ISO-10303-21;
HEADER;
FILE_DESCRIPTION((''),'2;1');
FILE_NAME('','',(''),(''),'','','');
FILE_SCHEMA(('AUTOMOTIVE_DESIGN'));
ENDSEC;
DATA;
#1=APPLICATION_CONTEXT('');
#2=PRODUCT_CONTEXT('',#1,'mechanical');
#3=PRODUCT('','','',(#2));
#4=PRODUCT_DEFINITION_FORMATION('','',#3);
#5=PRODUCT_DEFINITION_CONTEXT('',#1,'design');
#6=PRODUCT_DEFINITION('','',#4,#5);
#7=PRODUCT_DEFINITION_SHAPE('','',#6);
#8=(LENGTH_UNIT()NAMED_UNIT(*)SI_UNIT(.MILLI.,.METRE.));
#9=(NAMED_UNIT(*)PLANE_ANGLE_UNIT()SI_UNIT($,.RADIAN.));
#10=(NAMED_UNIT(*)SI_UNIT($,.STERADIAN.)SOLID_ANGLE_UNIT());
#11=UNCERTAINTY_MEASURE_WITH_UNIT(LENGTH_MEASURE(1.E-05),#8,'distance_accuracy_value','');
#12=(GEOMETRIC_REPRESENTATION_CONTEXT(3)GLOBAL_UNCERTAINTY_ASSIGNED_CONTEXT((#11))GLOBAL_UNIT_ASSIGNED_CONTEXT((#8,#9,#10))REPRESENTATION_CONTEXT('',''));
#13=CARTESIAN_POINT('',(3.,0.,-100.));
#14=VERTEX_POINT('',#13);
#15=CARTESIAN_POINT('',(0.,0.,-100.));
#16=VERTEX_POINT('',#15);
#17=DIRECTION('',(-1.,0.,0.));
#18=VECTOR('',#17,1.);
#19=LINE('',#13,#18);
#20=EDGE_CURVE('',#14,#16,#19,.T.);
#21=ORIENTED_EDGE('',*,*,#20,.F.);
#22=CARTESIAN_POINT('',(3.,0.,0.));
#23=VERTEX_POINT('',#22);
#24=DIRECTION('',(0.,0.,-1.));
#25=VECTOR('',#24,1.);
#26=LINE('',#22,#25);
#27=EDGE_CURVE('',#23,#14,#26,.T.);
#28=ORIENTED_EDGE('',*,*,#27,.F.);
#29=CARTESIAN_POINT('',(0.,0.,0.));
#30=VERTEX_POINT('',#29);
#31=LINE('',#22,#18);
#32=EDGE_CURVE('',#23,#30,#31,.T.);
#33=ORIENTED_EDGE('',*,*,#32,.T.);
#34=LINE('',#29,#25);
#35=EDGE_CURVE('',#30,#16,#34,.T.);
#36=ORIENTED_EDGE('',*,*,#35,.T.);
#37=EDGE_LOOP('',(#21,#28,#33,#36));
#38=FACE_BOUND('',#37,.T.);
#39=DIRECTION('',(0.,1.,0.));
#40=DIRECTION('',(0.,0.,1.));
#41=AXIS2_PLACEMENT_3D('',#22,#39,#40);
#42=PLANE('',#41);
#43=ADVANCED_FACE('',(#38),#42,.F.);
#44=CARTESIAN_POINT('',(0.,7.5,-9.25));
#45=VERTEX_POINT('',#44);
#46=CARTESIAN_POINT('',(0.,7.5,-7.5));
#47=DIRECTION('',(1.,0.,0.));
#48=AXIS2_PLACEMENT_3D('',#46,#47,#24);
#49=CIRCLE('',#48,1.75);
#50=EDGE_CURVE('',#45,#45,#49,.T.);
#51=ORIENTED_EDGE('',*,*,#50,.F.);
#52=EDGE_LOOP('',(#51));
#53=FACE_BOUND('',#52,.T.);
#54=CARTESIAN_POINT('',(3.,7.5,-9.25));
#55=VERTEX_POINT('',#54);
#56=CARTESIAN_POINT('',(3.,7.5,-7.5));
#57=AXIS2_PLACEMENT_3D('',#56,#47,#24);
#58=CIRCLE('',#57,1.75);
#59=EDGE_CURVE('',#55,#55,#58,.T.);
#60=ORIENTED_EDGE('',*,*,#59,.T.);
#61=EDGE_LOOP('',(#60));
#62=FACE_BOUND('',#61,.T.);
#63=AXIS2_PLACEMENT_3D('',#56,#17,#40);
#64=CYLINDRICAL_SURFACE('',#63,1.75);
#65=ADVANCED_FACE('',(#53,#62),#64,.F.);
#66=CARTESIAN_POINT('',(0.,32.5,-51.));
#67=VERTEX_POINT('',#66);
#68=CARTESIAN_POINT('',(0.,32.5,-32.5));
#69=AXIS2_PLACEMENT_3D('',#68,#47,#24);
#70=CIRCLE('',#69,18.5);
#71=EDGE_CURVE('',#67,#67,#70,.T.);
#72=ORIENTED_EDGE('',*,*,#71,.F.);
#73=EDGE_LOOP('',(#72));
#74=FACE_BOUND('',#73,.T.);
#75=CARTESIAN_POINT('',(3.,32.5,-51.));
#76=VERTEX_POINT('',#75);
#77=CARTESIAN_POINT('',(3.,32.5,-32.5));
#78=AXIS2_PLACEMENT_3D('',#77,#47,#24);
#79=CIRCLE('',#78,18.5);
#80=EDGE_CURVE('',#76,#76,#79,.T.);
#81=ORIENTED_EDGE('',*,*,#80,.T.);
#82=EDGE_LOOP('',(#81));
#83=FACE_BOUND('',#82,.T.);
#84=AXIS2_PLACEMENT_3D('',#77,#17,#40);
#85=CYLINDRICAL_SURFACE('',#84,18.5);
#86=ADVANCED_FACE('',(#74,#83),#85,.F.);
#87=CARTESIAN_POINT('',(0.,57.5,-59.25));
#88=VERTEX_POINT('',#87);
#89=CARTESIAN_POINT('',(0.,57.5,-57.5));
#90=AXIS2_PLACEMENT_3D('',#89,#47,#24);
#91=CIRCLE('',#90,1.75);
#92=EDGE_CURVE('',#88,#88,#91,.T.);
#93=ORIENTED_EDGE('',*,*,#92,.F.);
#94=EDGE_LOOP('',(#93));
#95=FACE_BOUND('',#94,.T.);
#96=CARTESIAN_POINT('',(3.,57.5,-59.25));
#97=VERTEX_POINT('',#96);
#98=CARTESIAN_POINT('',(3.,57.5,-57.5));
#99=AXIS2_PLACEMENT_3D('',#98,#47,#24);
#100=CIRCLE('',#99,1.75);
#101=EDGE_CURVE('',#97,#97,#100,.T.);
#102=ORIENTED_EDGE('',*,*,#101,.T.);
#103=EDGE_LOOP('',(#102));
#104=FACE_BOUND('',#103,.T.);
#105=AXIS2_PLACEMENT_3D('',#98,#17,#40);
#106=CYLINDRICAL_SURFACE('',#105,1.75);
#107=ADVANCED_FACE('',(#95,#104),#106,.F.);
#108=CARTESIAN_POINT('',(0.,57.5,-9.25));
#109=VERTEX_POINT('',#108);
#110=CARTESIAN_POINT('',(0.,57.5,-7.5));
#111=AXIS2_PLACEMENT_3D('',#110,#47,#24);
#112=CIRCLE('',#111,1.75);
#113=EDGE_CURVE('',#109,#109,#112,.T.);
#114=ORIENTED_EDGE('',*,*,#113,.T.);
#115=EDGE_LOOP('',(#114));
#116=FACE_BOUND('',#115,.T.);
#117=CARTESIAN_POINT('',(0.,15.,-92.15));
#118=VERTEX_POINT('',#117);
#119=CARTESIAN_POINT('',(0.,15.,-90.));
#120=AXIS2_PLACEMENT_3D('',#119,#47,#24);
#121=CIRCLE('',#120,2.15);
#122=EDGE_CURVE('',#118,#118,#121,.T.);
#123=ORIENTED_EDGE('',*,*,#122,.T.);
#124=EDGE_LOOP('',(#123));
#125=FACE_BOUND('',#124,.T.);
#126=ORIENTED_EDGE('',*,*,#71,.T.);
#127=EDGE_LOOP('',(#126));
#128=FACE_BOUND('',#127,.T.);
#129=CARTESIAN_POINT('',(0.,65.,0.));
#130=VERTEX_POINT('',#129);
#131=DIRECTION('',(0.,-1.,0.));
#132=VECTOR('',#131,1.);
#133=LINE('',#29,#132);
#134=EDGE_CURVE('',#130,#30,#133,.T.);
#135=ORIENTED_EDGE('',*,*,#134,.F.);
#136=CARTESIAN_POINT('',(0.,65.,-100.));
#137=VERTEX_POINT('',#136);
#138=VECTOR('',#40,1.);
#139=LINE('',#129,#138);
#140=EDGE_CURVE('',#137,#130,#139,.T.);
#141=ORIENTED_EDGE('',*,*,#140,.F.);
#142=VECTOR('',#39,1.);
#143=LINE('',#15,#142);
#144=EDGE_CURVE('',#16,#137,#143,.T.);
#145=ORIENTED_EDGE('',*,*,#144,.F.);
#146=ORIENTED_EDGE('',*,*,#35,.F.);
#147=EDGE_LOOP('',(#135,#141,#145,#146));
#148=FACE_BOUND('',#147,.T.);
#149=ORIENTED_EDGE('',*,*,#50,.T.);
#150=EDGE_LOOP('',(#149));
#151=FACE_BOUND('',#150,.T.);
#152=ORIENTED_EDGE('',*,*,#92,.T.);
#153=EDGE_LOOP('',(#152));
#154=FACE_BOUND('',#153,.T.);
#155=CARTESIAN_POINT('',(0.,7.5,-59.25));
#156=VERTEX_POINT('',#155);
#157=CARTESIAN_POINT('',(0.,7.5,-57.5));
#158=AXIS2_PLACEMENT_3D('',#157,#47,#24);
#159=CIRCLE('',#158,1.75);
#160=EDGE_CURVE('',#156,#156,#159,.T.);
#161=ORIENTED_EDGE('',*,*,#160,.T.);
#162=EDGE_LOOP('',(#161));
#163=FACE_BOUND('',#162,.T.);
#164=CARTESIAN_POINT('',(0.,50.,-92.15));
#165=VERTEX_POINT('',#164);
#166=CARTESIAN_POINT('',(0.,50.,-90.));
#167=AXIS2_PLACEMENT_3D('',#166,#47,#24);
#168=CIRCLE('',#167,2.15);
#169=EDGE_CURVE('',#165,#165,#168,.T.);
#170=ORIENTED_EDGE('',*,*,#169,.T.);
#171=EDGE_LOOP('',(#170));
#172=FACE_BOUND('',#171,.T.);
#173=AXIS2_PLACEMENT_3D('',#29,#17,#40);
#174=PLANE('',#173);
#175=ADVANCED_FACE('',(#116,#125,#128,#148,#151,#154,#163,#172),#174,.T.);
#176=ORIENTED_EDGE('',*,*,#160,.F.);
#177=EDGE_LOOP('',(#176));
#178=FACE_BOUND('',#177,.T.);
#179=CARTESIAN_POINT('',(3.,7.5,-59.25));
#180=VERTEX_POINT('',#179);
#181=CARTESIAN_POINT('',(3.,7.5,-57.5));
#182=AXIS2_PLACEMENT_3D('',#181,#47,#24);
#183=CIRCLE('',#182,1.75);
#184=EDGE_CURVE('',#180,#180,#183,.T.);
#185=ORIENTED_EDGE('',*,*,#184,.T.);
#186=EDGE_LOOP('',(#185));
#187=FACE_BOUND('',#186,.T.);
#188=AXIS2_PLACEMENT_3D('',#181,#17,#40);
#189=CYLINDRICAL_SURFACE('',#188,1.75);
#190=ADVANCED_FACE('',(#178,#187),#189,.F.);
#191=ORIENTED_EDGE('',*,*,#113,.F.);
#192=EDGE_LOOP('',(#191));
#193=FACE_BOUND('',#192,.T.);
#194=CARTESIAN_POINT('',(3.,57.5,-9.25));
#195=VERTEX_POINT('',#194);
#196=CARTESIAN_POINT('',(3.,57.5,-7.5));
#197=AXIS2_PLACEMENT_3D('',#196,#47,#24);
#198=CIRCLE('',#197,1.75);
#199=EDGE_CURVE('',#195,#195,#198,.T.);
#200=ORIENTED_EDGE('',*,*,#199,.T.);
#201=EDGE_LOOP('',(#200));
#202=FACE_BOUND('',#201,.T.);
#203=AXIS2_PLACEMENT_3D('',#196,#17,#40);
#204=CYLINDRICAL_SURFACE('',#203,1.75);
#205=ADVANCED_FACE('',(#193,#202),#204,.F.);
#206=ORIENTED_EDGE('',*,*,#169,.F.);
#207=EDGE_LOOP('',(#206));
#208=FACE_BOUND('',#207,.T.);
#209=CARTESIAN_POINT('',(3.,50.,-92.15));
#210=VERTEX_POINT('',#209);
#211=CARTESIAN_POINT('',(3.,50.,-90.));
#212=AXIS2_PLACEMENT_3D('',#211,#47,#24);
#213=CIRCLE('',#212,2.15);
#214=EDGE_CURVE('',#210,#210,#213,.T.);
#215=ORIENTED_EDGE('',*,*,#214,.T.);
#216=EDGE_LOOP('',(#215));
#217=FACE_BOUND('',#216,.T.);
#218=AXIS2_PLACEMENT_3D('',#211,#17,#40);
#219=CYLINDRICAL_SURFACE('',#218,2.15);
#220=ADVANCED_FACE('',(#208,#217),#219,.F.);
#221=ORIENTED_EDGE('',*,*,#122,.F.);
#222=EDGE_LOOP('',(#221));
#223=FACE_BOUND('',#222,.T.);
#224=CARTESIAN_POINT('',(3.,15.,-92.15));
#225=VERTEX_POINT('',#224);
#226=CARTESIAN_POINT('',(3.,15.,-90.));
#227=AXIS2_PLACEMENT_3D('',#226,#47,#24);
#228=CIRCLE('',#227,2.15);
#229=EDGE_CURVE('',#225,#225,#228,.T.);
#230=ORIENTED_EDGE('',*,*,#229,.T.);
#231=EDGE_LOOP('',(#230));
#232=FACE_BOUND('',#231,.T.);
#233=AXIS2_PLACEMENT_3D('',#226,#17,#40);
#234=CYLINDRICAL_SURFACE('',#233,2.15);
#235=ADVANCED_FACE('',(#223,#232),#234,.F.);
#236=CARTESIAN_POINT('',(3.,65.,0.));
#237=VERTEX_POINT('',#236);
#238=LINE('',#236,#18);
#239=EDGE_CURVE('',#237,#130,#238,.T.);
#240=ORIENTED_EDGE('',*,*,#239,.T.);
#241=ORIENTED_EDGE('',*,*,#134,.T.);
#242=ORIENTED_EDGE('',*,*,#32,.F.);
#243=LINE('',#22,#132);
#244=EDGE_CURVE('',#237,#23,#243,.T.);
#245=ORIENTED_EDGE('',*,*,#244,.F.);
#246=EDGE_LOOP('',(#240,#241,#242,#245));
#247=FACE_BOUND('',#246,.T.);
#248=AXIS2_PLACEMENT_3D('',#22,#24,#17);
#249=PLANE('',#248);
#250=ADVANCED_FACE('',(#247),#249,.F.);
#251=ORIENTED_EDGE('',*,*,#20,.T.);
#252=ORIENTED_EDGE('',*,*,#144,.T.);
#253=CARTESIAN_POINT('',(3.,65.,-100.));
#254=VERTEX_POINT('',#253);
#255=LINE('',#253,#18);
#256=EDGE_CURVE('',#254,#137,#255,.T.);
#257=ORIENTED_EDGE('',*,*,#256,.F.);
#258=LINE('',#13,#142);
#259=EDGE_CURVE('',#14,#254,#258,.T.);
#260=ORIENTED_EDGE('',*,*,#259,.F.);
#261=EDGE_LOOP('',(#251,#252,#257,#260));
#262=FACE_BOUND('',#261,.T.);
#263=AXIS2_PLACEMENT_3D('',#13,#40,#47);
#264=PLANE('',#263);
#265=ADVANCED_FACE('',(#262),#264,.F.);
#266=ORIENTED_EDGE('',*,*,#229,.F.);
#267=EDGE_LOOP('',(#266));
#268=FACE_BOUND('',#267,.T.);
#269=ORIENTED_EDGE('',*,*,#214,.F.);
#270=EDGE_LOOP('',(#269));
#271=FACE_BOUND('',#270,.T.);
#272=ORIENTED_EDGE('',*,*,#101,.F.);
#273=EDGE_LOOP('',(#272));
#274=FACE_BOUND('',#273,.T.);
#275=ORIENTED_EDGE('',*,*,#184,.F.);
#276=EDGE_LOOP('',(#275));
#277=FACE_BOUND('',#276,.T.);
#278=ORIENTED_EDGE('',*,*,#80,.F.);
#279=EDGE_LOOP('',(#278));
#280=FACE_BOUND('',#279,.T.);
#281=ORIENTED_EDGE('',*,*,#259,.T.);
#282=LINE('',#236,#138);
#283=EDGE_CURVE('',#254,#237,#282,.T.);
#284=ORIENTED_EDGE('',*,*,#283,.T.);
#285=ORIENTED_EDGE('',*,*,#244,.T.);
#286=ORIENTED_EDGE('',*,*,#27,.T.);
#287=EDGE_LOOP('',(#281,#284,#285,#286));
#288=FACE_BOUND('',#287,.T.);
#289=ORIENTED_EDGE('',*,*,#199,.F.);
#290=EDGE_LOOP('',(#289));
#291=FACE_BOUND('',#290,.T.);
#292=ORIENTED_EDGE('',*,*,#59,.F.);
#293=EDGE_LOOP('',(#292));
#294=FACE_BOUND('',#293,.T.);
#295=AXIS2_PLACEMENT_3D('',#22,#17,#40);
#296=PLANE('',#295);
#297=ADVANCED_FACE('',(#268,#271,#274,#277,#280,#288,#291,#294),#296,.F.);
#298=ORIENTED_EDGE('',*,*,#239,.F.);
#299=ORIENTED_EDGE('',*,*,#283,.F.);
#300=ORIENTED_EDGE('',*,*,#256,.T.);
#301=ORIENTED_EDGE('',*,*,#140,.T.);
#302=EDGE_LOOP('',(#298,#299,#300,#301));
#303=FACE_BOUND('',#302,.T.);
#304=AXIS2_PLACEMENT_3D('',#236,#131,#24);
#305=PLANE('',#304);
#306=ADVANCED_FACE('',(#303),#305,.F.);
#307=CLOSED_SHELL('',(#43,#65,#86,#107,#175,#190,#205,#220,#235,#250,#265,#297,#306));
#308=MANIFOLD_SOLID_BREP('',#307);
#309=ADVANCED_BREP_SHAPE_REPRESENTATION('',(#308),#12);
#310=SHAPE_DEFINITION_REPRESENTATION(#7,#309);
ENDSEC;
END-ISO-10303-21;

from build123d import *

# Parameters (mm, degrees)
SKETCH1_W           = 100
SKETCH1_H           = 65
SKETCH1_R           = 18.5
SKETCH1_R_2         = 2.15
SKETCH1_R_3         = 1.75
BOSS_EXTRUDE1_DEPTH = 3


with BuildPart() as part:
    # Sketch1 → Boss-Extrude1 (new body)
    with BuildSketch(Plane(origin=(0, 0, 0), x_dir=(0, 0, -1), z_dir=(1, 0, 0))):
        with Locations((50, 32.5)):
            Rectangle(SKETCH1_W, SKETCH1_H)
        with Locations((32.5, 32.5)):
            Circle(SKETCH1_R, mode=Mode.SUBTRACT)
        with Locations((90, 50)):
            Circle(SKETCH1_R_2, mode=Mode.SUBTRACT)
        with Locations((90, 15)):
            Circle(SKETCH1_R_2, mode=Mode.SUBTRACT)
        with Locations((7.5, 57.5)):
            Circle(SKETCH1_R_3, mode=Mode.SUBTRACT)
        with Locations((57.5, 57.5)):
            Circle(SKETCH1_R_3, mode=Mode.SUBTRACT)
        with Locations((7.5, 7.5)):
            Circle(SKETCH1_R_3, mode=Mode.SUBTRACT)
        with Locations((57.5, 7.5)):
            Circle(SKETCH1_R_3, mode=Mode.SUBTRACT)
    extrude(amount=BOSS_EXTRUDE1_DEPTH)


solid = part.part
